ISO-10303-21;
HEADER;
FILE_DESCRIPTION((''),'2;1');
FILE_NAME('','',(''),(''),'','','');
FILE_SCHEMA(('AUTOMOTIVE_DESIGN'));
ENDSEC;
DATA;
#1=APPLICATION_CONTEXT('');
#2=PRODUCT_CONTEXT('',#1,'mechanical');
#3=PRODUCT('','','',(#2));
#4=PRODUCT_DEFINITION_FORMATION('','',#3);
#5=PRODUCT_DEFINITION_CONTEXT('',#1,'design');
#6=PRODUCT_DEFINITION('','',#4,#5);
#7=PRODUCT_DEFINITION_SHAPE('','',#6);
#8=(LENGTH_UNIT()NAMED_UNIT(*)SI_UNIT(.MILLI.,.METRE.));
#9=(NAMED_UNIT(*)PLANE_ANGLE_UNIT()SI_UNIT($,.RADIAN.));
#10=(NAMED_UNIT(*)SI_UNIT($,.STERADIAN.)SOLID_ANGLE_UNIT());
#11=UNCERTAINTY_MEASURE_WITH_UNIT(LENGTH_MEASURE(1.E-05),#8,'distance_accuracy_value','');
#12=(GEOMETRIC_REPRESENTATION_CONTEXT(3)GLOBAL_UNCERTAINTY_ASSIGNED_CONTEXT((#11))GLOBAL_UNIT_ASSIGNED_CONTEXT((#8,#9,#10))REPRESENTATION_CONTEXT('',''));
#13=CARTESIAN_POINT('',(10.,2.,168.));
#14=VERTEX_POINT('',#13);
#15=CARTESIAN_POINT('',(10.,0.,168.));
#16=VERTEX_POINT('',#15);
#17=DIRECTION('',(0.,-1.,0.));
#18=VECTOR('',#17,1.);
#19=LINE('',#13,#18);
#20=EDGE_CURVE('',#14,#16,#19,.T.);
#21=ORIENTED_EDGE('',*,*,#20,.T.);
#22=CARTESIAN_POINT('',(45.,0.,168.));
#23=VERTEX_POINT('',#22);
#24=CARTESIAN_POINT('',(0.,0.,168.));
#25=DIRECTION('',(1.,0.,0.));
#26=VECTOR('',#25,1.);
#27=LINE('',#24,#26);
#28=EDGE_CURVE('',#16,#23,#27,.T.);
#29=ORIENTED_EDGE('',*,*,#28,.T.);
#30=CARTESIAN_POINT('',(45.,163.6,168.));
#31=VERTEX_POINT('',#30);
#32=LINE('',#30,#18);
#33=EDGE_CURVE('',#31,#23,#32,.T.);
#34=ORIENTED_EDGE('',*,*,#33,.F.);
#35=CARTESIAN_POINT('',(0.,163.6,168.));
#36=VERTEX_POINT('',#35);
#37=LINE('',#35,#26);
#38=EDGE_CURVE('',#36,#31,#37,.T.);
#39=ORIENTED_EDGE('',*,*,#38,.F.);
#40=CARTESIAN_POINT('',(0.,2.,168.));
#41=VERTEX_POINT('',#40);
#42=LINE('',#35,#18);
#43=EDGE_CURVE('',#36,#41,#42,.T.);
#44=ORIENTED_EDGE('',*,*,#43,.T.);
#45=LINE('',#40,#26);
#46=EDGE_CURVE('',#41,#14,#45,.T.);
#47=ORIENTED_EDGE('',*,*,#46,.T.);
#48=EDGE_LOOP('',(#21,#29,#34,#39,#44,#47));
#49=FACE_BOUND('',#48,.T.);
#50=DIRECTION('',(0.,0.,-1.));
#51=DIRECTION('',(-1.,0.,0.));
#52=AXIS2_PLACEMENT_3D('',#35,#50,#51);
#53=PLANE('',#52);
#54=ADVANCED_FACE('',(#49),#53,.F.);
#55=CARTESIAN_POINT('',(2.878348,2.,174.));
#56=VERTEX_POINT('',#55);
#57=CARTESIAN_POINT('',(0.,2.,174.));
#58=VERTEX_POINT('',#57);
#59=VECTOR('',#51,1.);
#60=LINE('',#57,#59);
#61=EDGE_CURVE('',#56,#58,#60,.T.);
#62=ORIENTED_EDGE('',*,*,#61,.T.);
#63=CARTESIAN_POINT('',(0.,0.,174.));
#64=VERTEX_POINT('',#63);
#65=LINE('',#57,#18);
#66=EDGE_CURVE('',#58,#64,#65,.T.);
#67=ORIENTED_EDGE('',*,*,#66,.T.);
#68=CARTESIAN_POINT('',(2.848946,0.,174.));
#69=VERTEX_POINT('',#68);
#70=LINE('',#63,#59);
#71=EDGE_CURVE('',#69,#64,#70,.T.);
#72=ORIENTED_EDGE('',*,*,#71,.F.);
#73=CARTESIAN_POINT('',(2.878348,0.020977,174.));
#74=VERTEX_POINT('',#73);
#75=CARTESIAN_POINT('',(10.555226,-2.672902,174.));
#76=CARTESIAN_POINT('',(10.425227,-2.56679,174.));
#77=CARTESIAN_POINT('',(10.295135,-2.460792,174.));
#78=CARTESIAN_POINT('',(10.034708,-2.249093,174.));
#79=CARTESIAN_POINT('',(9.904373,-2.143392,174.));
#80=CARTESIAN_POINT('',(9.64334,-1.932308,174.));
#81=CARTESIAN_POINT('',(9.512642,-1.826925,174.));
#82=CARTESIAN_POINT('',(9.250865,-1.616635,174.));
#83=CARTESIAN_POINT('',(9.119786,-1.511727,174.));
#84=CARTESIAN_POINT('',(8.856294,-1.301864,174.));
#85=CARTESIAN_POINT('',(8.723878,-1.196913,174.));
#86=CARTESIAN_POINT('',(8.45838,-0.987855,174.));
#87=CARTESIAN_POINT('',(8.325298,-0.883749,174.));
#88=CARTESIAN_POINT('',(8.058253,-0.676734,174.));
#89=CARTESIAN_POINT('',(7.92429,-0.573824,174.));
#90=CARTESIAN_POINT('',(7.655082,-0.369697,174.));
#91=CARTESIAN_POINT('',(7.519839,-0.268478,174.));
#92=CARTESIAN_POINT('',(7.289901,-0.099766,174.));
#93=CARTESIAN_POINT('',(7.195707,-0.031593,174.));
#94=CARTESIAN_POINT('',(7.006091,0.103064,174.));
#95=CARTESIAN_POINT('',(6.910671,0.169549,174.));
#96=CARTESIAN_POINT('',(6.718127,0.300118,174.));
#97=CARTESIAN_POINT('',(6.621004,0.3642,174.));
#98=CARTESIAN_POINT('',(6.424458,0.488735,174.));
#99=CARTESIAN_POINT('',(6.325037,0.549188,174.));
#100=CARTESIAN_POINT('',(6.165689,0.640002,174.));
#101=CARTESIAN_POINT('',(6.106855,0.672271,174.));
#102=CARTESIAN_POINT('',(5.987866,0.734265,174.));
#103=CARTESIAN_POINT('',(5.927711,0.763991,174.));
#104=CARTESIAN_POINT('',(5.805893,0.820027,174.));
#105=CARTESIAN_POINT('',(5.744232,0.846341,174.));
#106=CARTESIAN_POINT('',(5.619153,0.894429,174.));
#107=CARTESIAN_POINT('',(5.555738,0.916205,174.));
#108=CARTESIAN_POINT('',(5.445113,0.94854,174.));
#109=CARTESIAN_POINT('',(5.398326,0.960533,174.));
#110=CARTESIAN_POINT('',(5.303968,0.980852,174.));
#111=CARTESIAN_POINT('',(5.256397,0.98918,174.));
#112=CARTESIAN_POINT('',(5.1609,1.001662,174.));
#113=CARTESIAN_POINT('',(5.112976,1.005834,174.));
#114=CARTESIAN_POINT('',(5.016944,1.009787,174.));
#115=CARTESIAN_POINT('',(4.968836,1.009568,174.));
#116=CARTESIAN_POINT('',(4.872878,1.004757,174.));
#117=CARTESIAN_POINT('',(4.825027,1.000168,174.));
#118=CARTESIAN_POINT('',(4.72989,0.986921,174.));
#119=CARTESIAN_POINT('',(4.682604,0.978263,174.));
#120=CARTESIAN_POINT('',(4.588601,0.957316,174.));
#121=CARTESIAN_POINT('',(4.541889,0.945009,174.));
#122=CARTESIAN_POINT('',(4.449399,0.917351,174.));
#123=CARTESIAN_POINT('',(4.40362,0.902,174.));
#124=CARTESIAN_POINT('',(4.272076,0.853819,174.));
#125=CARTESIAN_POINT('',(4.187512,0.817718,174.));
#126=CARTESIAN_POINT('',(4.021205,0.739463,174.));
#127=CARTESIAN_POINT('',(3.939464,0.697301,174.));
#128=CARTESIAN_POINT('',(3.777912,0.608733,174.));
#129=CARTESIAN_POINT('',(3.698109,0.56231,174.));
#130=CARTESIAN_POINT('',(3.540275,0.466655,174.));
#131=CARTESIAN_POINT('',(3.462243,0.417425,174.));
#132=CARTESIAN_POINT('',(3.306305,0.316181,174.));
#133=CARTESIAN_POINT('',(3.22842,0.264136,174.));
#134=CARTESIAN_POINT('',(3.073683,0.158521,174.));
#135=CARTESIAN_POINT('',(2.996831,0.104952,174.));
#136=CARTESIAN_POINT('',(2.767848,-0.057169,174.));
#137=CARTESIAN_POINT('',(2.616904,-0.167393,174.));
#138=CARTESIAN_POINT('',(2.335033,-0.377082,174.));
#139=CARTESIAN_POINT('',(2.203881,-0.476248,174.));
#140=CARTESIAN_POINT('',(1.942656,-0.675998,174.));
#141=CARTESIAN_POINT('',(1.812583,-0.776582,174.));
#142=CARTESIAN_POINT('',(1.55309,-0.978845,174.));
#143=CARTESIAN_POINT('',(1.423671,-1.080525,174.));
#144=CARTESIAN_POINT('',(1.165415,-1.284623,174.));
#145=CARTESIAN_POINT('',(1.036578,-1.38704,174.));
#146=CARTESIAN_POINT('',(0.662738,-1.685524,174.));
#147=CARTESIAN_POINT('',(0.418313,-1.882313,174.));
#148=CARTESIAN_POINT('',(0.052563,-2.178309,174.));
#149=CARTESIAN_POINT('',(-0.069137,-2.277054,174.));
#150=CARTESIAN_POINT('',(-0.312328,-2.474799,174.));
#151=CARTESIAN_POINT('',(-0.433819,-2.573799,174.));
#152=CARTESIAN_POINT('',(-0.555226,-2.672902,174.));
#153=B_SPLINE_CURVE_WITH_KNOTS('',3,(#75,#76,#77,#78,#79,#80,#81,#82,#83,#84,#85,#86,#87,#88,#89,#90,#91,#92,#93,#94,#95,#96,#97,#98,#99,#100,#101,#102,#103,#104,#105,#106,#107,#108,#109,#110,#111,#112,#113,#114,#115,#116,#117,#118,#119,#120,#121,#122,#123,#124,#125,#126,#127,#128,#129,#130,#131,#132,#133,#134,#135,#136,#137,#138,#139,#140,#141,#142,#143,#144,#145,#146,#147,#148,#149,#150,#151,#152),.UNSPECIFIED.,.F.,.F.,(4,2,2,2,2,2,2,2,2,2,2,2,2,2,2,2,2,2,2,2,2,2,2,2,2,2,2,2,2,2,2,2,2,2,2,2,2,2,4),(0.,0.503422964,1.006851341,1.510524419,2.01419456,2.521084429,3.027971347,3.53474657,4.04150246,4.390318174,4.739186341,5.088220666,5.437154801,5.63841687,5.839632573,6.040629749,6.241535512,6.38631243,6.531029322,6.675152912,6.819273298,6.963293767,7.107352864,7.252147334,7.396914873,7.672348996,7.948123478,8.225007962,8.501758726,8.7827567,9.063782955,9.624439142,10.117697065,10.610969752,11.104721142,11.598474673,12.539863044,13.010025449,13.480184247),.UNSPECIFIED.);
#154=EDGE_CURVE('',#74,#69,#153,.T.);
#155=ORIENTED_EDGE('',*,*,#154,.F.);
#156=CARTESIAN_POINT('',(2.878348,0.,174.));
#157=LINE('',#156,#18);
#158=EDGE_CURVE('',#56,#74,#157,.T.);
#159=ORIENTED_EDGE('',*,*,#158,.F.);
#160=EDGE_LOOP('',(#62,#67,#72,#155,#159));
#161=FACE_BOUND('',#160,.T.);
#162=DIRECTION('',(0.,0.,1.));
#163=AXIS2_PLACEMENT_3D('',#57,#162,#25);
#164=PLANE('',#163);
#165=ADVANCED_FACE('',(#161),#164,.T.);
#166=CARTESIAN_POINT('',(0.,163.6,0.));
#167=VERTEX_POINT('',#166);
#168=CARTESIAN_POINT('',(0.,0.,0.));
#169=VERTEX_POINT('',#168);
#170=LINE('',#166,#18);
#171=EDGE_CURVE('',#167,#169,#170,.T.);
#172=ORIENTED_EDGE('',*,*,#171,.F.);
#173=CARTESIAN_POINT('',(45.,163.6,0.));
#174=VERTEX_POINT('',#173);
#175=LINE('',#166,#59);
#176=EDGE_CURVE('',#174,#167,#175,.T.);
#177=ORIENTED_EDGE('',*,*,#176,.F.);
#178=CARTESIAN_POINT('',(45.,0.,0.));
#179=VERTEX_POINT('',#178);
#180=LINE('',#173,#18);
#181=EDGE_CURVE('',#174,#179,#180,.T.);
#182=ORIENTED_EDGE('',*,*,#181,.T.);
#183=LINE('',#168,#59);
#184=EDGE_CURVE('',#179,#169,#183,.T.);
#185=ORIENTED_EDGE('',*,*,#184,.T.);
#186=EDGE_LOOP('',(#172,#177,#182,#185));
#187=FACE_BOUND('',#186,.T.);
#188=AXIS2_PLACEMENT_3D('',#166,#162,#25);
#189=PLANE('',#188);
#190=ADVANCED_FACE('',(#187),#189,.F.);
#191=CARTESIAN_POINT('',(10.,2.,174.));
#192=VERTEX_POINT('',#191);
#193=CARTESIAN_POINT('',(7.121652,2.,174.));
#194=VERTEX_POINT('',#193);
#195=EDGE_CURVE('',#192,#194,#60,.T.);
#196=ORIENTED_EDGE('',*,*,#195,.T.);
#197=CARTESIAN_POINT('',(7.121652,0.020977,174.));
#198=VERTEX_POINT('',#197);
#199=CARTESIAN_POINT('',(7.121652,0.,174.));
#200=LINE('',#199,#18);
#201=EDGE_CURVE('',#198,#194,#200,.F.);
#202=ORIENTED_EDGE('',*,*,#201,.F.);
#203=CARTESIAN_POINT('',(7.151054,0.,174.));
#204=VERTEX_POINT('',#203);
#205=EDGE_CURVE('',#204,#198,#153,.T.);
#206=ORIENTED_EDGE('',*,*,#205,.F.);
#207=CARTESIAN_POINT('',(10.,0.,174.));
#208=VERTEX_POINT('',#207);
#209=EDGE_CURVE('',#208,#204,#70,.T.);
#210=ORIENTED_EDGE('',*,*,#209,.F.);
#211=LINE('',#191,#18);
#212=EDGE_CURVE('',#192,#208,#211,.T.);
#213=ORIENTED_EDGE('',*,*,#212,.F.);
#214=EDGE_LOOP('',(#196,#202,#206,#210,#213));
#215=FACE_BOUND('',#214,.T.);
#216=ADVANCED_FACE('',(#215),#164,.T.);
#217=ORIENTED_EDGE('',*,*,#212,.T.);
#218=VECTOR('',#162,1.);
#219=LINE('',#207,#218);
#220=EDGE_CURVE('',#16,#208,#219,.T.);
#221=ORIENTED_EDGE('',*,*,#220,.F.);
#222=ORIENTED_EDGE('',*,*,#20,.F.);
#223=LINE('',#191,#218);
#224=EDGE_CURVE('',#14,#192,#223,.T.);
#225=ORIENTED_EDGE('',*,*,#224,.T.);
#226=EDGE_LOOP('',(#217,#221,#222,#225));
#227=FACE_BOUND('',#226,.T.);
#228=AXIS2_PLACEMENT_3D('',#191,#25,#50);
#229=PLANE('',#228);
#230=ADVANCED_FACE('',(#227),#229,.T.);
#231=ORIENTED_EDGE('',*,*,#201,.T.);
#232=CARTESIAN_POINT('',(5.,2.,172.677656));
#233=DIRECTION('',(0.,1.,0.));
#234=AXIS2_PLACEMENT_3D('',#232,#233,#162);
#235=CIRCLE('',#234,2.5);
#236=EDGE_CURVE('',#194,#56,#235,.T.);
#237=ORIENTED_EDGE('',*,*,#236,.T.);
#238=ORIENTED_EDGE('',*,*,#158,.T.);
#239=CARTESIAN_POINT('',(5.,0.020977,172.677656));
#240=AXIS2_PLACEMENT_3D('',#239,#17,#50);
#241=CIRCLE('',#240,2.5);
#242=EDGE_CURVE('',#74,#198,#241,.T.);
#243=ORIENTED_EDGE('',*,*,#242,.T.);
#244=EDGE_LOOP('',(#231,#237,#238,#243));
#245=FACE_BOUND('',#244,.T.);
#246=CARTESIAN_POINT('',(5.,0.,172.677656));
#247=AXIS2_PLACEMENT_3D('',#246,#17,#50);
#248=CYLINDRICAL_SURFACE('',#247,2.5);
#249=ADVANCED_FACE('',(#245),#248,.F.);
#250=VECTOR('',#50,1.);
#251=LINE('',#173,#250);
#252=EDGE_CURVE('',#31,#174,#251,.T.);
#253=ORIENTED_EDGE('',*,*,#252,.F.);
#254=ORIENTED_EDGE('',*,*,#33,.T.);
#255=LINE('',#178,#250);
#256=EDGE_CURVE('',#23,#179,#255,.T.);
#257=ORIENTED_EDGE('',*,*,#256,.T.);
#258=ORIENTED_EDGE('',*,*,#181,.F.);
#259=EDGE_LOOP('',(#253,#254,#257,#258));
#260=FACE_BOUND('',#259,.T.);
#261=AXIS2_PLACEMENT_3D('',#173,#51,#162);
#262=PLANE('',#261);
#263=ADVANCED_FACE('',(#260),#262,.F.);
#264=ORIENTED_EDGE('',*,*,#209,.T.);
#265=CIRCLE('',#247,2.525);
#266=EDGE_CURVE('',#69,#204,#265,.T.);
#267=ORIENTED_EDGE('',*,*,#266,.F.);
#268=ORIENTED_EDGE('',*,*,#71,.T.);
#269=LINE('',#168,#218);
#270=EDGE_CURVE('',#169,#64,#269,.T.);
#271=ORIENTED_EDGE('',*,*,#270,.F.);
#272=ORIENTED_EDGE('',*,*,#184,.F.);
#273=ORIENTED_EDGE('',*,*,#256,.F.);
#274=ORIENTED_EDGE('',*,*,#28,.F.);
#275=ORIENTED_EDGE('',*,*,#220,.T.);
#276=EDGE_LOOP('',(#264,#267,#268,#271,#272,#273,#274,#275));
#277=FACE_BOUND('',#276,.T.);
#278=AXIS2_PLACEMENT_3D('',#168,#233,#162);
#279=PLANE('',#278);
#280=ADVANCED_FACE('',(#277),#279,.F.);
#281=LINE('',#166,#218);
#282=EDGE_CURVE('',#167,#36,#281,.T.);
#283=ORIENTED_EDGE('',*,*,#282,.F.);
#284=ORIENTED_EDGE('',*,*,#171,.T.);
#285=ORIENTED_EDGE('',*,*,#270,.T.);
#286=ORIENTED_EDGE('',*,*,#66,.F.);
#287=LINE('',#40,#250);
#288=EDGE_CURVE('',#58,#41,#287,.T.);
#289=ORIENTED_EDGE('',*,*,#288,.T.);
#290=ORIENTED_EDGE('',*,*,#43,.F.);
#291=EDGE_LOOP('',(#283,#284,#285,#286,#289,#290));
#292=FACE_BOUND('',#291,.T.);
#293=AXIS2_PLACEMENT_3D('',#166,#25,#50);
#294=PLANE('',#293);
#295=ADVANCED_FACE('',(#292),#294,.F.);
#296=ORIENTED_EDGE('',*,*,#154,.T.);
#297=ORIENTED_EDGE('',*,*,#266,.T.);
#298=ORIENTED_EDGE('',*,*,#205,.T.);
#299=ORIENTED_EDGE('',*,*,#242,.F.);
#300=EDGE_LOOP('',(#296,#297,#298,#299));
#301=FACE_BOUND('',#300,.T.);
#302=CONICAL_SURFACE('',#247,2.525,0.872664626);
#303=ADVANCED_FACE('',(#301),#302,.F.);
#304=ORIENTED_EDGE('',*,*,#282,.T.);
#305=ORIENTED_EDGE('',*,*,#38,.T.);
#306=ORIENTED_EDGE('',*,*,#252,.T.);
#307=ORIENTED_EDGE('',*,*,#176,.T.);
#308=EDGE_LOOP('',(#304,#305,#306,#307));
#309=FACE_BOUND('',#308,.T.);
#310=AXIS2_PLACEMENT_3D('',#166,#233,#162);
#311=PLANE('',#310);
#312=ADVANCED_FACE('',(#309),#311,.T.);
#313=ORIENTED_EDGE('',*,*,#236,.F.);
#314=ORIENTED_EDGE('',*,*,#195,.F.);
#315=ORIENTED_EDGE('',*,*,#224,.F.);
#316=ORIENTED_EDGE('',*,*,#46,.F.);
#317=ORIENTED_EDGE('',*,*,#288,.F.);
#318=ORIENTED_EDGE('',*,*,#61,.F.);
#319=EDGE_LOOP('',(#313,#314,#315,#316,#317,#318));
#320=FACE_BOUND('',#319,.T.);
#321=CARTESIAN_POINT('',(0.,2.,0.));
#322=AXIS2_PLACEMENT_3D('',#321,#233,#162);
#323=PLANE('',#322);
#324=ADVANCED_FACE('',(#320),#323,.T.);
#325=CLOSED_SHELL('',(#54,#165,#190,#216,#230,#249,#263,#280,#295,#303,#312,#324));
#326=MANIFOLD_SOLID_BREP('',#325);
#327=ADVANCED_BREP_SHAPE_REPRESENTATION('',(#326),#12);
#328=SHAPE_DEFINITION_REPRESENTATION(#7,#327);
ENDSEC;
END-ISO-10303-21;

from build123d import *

# Parameters (mm, degrees)
SKETCH_1_W            = 45
SKETCH_1_H            = 168
EXTRUDE_1_DEPTH       = 163.6
SKETCH_2_W            = 10
SKETCH_2_H            = 6
EXTRUDE_2_DEPTH       = 2
F_5_0MM_1_D           = 5
F_5_0MM_1_CSINK_D     = 5.05
F_5_0MM_1_CSINK_ANGLE = 100


with BuildPart() as part:
    # 草图1 → 凸台-拉伸1 (new body)
    with BuildSketch(Plane(origin=(0, 0, 0), x_dir=(1, 0, 0), z_dir=(0, 1, 0))):
        with Locations((22.5, -84)):
            Rectangle(SKETCH_1_W, SKETCH_1_H)
    extrude(amount=EXTRUDE_1_DEPTH)

    # 草图2 → 凸台-拉伸2 (add)
    with BuildSketch(Plane.XZ):
        with Locations((5, 171)):
            Rectangle(SKETCH_2_W, SKETCH_2_H)
    extrude(amount=-EXTRUDE_2_DEPTH)

    # Ø5.0mm 暗销孔1 (through all)
    with Locations(Plane(origin=(0, 0, 0), x_dir=(-1, 0, 0), z_dir=(0, -1, 0))):
        with Locations((-5, -172.677656)):
            CounterSinkHole(F_5_0MM_1_D / 2, F_5_0MM_1_CSINK_D / 2, counter_sink_angle=F_5_0MM_1_CSINK_ANGLE)


solid = part.part
